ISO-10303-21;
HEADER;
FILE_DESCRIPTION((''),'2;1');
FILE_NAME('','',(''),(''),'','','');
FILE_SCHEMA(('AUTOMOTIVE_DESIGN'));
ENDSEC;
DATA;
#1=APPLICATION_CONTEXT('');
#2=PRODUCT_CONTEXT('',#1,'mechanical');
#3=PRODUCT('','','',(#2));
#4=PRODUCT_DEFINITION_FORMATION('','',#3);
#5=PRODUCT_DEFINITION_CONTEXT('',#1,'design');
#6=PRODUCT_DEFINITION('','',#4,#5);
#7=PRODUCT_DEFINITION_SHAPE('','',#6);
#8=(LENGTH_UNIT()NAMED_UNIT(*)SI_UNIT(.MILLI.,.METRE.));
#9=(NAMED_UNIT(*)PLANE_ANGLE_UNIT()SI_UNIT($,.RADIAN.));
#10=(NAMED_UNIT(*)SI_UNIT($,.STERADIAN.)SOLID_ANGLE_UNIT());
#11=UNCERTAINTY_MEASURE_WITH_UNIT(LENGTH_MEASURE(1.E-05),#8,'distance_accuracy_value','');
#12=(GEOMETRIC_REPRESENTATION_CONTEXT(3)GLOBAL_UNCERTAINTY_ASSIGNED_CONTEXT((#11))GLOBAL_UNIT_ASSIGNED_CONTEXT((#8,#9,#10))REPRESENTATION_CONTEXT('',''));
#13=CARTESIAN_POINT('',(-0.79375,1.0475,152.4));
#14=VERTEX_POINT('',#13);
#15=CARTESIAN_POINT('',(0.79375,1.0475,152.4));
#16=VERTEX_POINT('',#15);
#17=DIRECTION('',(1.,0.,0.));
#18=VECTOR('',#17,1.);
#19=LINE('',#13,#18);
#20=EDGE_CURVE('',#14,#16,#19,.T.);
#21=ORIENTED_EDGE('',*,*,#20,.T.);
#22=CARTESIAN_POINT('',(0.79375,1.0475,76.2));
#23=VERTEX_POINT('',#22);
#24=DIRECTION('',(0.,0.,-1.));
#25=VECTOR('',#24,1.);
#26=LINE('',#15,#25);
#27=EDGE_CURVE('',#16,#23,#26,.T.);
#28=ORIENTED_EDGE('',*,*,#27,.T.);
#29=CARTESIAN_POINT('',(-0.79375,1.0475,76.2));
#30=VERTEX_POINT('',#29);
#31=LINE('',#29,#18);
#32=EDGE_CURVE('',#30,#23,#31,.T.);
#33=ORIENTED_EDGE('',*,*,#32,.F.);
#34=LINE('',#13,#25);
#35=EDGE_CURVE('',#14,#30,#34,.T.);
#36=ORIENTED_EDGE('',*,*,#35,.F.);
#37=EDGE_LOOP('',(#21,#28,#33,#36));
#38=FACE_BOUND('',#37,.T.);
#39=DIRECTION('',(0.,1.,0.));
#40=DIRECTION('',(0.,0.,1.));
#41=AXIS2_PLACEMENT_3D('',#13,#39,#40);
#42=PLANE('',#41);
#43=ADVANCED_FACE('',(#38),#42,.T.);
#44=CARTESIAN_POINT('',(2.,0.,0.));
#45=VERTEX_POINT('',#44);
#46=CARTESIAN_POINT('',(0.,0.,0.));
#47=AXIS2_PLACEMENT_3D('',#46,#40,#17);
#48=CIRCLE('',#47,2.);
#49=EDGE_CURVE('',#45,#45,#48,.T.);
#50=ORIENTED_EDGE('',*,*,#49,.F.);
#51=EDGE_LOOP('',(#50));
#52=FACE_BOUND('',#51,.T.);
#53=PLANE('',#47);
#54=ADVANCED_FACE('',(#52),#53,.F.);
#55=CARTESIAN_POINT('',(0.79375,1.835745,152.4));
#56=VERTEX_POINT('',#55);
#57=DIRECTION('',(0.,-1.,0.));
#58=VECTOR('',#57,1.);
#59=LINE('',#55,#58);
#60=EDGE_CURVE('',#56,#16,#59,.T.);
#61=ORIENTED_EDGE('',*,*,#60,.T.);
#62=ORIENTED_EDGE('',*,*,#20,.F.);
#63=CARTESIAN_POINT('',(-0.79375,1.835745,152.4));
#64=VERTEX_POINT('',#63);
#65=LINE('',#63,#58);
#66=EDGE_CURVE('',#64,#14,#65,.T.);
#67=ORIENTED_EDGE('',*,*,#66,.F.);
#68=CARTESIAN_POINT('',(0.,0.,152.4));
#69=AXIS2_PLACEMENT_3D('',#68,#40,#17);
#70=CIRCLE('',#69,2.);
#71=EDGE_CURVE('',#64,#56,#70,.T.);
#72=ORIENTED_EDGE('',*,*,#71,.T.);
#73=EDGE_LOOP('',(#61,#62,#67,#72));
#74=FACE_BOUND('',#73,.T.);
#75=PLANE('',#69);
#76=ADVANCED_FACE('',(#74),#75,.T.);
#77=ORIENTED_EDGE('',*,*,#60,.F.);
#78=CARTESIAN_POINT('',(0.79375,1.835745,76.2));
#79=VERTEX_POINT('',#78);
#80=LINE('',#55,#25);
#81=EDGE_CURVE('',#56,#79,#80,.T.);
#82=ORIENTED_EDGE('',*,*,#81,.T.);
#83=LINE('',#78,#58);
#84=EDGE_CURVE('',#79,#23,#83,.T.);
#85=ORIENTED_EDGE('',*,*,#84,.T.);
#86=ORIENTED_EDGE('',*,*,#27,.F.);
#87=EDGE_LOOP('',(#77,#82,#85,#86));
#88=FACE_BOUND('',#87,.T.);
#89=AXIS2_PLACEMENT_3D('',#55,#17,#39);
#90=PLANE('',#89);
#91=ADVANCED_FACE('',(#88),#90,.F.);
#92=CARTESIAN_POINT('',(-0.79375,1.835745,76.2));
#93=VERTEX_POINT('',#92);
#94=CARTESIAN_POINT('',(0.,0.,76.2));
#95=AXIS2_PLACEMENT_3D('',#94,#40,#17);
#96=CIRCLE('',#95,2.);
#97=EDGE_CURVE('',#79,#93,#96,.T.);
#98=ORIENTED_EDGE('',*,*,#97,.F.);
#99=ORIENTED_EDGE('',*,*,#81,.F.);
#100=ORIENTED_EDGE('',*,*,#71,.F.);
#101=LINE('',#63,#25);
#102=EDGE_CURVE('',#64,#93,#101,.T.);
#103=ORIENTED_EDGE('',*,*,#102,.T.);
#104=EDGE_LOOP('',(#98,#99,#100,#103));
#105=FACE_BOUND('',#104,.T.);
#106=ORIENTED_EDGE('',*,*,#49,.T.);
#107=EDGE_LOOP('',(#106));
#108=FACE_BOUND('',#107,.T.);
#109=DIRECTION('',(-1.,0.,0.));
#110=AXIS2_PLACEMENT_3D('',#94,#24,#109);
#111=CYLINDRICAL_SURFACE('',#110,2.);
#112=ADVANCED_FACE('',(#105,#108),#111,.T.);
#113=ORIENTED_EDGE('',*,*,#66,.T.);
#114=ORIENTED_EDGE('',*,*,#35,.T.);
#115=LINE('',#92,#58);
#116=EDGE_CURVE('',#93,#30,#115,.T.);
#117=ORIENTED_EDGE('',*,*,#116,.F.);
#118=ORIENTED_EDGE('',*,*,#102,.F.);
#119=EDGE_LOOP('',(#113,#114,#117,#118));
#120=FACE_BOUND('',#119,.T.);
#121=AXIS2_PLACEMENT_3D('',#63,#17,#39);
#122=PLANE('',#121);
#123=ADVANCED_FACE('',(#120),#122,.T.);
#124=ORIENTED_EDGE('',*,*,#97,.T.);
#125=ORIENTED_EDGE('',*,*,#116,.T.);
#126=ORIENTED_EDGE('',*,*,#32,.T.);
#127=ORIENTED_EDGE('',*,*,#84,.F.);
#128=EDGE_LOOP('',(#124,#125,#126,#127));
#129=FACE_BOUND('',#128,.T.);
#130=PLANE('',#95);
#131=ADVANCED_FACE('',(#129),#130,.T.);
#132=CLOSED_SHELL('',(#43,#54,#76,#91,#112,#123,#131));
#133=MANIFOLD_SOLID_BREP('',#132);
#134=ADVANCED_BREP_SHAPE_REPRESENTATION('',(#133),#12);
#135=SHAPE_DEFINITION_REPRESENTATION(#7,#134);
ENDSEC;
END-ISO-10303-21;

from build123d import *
from build123d.topology import SkipClean

# Parameters (mm, degrees)
SKETCH1_R           = 2
BOSS_EXTRUDE1_DEPTH = 76.2
BOSS_EXTRUDE2_DEPTH = 76.2


with BuildPart() as part:
    # Sketch1 → Boss-Extrude1 (new body)
    with BuildSketch(Plane.XY):
        with Locations(Location((0, 0, 0), (0, 0, 180))):
            Circle(SKETCH1_R)
    extrude(amount=BOSS_EXTRUDE1_DEPTH)

    # Sketch2 → Boss-Extrude2 (add)
    with SkipClean():  # the faces are left unmerged after this step: merging them gives an invalid solid
        with BuildSketch(Plane.XY.offset(76.2)):
            with BuildLine():
                Line((-0.79375, 1.835745336), (-0.79375, 1.0475))
                Line((-0.79375, 1.0475), (0.79375, 1.0475))
                Line((0.79375, 1.0475), (0.79375, 1.835745336))
                ThreePointArc((0.79375, 1.835745336), (0, -2), (-0.79375, 1.835745336))
            make_face()
        extrude(amount=BOSS_EXTRUDE2_DEPTH)


solid = part.part
